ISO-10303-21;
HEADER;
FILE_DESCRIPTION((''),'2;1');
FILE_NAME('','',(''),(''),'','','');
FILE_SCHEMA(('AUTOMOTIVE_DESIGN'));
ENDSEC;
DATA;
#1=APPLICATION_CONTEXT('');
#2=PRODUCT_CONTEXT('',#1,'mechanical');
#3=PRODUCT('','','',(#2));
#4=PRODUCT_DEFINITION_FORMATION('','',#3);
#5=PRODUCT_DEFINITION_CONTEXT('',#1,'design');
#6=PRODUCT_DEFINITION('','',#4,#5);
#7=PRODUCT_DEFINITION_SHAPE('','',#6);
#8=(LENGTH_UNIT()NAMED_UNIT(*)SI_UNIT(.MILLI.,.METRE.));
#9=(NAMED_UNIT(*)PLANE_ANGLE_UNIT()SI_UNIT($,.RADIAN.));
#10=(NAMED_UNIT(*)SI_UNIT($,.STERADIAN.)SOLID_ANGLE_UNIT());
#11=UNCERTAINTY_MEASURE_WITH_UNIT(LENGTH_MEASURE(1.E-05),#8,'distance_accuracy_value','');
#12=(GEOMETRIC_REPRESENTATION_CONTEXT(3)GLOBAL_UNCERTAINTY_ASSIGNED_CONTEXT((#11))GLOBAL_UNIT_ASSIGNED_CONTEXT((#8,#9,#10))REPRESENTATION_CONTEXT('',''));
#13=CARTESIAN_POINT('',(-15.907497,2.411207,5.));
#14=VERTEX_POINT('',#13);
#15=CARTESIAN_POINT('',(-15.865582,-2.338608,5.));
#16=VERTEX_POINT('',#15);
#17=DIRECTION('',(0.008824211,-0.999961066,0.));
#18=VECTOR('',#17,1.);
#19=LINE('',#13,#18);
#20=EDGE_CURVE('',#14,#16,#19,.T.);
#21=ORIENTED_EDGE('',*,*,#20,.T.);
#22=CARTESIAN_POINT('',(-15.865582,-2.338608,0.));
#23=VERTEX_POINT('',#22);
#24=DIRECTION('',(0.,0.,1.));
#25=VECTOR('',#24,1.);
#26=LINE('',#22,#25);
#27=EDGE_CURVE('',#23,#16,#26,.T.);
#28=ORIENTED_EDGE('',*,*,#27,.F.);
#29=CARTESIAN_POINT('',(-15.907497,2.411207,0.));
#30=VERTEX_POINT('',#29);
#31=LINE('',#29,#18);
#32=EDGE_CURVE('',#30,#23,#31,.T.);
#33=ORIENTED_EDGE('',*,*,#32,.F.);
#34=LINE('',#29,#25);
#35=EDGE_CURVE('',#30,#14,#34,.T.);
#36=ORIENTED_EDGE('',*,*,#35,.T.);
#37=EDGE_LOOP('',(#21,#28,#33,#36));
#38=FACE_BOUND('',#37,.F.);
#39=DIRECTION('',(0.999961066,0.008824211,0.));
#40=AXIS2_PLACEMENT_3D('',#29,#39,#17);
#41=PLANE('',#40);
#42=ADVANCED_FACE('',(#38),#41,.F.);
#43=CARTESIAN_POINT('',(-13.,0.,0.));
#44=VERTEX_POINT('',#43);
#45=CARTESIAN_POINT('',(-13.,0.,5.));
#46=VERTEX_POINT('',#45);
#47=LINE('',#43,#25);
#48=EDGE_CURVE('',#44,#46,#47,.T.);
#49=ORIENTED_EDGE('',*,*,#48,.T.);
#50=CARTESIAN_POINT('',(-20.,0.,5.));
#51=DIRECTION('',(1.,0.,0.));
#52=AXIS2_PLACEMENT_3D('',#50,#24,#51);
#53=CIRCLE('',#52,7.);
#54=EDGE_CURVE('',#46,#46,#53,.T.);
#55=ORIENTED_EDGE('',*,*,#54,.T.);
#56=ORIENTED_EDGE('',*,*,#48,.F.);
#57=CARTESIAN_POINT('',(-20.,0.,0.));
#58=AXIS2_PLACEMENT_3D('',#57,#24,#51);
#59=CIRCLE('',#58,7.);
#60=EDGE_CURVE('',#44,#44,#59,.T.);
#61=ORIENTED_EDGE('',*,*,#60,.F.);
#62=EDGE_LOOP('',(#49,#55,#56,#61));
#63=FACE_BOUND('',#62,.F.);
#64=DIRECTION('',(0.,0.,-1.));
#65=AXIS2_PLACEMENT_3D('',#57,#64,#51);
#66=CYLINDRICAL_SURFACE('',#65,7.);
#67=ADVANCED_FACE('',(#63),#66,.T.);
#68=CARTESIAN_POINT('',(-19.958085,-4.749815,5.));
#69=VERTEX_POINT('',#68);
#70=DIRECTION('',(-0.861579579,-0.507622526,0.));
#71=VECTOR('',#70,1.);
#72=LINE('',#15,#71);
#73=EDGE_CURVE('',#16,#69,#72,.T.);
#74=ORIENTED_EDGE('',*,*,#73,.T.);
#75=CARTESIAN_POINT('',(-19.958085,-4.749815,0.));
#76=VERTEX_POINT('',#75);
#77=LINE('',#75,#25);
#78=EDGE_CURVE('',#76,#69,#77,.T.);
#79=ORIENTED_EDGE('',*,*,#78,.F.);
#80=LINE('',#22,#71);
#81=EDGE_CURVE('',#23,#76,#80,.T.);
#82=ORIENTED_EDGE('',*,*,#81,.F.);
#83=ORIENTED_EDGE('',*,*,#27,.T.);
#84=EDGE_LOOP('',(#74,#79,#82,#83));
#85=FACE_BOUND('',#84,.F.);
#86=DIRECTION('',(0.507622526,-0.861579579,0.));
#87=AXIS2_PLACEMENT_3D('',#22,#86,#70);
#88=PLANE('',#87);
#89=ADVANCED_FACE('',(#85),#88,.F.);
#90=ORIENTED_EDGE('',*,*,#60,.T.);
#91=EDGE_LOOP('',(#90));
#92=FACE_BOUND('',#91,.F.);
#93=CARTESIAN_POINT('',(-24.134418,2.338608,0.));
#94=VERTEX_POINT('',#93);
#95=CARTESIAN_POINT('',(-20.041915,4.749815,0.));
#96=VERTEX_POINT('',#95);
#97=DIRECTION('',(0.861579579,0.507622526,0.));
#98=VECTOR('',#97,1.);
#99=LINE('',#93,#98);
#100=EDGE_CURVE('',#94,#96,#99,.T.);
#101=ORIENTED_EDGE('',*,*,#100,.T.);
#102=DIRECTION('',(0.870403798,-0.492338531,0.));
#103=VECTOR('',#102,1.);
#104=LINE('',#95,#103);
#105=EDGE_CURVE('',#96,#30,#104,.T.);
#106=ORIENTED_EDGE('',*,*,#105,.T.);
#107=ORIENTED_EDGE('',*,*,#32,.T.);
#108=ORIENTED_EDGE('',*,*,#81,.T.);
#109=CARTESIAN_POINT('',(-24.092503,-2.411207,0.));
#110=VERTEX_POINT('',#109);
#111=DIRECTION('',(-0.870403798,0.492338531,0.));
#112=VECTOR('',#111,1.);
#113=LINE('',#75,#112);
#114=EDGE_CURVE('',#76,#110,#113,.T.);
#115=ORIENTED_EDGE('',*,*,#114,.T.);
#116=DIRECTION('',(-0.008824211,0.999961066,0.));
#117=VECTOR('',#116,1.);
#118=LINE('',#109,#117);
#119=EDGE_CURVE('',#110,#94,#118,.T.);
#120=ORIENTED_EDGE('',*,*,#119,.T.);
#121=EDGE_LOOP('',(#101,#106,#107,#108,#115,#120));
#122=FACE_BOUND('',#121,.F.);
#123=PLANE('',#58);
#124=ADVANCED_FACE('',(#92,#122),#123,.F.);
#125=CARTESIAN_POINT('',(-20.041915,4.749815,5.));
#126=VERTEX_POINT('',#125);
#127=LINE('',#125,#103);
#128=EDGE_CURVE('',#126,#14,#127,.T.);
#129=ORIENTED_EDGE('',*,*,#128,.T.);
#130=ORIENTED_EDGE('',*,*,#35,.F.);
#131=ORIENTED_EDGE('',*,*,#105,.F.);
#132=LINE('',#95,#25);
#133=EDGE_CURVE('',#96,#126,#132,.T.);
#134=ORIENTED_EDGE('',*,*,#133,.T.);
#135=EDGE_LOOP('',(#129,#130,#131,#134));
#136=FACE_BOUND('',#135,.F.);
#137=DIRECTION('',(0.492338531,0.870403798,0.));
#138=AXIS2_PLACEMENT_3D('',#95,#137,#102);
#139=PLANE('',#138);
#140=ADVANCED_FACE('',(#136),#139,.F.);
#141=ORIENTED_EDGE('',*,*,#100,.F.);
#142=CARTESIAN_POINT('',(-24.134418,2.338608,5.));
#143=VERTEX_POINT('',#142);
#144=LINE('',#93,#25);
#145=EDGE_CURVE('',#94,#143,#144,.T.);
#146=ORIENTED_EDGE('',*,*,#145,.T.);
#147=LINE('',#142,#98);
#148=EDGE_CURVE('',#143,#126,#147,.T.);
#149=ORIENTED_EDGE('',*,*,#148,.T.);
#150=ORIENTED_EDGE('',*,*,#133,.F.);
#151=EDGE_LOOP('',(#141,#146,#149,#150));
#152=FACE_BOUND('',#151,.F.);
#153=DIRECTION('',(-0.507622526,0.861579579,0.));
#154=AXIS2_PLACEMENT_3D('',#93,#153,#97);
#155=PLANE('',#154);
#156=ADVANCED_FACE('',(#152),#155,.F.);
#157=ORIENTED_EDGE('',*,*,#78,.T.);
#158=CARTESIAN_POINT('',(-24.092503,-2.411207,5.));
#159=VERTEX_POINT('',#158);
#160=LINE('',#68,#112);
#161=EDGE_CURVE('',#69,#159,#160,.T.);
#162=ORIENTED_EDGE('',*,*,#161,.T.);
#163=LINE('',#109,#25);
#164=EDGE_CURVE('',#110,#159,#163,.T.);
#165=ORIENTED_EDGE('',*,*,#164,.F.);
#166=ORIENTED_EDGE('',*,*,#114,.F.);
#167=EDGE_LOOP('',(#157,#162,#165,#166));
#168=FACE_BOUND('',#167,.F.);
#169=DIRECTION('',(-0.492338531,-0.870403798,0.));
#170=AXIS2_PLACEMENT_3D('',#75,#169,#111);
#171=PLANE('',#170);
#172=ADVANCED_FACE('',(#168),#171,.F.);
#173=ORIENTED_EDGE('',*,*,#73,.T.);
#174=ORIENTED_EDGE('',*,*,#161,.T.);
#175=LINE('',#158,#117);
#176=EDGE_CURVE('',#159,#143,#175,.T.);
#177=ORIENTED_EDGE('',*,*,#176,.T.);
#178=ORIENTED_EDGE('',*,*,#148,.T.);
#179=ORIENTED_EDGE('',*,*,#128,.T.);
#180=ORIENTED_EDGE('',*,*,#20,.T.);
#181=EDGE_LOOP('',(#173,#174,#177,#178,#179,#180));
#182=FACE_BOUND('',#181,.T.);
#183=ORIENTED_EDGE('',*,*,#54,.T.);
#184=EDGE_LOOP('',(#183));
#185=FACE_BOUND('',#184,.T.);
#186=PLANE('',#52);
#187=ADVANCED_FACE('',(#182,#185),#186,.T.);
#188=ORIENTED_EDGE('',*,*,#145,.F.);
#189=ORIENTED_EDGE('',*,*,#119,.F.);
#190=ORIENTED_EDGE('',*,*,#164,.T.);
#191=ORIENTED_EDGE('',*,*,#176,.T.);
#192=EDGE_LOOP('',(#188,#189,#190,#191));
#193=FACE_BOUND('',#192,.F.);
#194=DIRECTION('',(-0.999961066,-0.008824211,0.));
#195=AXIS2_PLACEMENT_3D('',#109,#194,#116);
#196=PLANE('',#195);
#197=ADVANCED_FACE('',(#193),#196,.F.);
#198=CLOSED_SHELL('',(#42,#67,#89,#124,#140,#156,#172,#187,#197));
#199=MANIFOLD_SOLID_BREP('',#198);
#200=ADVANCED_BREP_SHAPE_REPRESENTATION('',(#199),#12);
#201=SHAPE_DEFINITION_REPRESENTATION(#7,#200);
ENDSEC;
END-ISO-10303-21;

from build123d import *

# Parameters (mm, degrees)
F0_R     = 7
F1_DEPTH = 5


with BuildPart() as f1:
    # F0 (on Top) → F1 (new body)
    with BuildSketch(Plane.XY):
        with Locations((-20, 0)):
            Circle(F0_R)
        Polygon((-19.958085, -4.749815), (-24.092503, -2.411207), (-24.134418, 2.338608), (-20.041915, 4.749815), (-15.907497, 2.411207), (-15.865582, -2.338608), align=None, mode=Mode.SUBTRACT)
    extrude(amount=F1_DEPTH)


solid = f1.part
